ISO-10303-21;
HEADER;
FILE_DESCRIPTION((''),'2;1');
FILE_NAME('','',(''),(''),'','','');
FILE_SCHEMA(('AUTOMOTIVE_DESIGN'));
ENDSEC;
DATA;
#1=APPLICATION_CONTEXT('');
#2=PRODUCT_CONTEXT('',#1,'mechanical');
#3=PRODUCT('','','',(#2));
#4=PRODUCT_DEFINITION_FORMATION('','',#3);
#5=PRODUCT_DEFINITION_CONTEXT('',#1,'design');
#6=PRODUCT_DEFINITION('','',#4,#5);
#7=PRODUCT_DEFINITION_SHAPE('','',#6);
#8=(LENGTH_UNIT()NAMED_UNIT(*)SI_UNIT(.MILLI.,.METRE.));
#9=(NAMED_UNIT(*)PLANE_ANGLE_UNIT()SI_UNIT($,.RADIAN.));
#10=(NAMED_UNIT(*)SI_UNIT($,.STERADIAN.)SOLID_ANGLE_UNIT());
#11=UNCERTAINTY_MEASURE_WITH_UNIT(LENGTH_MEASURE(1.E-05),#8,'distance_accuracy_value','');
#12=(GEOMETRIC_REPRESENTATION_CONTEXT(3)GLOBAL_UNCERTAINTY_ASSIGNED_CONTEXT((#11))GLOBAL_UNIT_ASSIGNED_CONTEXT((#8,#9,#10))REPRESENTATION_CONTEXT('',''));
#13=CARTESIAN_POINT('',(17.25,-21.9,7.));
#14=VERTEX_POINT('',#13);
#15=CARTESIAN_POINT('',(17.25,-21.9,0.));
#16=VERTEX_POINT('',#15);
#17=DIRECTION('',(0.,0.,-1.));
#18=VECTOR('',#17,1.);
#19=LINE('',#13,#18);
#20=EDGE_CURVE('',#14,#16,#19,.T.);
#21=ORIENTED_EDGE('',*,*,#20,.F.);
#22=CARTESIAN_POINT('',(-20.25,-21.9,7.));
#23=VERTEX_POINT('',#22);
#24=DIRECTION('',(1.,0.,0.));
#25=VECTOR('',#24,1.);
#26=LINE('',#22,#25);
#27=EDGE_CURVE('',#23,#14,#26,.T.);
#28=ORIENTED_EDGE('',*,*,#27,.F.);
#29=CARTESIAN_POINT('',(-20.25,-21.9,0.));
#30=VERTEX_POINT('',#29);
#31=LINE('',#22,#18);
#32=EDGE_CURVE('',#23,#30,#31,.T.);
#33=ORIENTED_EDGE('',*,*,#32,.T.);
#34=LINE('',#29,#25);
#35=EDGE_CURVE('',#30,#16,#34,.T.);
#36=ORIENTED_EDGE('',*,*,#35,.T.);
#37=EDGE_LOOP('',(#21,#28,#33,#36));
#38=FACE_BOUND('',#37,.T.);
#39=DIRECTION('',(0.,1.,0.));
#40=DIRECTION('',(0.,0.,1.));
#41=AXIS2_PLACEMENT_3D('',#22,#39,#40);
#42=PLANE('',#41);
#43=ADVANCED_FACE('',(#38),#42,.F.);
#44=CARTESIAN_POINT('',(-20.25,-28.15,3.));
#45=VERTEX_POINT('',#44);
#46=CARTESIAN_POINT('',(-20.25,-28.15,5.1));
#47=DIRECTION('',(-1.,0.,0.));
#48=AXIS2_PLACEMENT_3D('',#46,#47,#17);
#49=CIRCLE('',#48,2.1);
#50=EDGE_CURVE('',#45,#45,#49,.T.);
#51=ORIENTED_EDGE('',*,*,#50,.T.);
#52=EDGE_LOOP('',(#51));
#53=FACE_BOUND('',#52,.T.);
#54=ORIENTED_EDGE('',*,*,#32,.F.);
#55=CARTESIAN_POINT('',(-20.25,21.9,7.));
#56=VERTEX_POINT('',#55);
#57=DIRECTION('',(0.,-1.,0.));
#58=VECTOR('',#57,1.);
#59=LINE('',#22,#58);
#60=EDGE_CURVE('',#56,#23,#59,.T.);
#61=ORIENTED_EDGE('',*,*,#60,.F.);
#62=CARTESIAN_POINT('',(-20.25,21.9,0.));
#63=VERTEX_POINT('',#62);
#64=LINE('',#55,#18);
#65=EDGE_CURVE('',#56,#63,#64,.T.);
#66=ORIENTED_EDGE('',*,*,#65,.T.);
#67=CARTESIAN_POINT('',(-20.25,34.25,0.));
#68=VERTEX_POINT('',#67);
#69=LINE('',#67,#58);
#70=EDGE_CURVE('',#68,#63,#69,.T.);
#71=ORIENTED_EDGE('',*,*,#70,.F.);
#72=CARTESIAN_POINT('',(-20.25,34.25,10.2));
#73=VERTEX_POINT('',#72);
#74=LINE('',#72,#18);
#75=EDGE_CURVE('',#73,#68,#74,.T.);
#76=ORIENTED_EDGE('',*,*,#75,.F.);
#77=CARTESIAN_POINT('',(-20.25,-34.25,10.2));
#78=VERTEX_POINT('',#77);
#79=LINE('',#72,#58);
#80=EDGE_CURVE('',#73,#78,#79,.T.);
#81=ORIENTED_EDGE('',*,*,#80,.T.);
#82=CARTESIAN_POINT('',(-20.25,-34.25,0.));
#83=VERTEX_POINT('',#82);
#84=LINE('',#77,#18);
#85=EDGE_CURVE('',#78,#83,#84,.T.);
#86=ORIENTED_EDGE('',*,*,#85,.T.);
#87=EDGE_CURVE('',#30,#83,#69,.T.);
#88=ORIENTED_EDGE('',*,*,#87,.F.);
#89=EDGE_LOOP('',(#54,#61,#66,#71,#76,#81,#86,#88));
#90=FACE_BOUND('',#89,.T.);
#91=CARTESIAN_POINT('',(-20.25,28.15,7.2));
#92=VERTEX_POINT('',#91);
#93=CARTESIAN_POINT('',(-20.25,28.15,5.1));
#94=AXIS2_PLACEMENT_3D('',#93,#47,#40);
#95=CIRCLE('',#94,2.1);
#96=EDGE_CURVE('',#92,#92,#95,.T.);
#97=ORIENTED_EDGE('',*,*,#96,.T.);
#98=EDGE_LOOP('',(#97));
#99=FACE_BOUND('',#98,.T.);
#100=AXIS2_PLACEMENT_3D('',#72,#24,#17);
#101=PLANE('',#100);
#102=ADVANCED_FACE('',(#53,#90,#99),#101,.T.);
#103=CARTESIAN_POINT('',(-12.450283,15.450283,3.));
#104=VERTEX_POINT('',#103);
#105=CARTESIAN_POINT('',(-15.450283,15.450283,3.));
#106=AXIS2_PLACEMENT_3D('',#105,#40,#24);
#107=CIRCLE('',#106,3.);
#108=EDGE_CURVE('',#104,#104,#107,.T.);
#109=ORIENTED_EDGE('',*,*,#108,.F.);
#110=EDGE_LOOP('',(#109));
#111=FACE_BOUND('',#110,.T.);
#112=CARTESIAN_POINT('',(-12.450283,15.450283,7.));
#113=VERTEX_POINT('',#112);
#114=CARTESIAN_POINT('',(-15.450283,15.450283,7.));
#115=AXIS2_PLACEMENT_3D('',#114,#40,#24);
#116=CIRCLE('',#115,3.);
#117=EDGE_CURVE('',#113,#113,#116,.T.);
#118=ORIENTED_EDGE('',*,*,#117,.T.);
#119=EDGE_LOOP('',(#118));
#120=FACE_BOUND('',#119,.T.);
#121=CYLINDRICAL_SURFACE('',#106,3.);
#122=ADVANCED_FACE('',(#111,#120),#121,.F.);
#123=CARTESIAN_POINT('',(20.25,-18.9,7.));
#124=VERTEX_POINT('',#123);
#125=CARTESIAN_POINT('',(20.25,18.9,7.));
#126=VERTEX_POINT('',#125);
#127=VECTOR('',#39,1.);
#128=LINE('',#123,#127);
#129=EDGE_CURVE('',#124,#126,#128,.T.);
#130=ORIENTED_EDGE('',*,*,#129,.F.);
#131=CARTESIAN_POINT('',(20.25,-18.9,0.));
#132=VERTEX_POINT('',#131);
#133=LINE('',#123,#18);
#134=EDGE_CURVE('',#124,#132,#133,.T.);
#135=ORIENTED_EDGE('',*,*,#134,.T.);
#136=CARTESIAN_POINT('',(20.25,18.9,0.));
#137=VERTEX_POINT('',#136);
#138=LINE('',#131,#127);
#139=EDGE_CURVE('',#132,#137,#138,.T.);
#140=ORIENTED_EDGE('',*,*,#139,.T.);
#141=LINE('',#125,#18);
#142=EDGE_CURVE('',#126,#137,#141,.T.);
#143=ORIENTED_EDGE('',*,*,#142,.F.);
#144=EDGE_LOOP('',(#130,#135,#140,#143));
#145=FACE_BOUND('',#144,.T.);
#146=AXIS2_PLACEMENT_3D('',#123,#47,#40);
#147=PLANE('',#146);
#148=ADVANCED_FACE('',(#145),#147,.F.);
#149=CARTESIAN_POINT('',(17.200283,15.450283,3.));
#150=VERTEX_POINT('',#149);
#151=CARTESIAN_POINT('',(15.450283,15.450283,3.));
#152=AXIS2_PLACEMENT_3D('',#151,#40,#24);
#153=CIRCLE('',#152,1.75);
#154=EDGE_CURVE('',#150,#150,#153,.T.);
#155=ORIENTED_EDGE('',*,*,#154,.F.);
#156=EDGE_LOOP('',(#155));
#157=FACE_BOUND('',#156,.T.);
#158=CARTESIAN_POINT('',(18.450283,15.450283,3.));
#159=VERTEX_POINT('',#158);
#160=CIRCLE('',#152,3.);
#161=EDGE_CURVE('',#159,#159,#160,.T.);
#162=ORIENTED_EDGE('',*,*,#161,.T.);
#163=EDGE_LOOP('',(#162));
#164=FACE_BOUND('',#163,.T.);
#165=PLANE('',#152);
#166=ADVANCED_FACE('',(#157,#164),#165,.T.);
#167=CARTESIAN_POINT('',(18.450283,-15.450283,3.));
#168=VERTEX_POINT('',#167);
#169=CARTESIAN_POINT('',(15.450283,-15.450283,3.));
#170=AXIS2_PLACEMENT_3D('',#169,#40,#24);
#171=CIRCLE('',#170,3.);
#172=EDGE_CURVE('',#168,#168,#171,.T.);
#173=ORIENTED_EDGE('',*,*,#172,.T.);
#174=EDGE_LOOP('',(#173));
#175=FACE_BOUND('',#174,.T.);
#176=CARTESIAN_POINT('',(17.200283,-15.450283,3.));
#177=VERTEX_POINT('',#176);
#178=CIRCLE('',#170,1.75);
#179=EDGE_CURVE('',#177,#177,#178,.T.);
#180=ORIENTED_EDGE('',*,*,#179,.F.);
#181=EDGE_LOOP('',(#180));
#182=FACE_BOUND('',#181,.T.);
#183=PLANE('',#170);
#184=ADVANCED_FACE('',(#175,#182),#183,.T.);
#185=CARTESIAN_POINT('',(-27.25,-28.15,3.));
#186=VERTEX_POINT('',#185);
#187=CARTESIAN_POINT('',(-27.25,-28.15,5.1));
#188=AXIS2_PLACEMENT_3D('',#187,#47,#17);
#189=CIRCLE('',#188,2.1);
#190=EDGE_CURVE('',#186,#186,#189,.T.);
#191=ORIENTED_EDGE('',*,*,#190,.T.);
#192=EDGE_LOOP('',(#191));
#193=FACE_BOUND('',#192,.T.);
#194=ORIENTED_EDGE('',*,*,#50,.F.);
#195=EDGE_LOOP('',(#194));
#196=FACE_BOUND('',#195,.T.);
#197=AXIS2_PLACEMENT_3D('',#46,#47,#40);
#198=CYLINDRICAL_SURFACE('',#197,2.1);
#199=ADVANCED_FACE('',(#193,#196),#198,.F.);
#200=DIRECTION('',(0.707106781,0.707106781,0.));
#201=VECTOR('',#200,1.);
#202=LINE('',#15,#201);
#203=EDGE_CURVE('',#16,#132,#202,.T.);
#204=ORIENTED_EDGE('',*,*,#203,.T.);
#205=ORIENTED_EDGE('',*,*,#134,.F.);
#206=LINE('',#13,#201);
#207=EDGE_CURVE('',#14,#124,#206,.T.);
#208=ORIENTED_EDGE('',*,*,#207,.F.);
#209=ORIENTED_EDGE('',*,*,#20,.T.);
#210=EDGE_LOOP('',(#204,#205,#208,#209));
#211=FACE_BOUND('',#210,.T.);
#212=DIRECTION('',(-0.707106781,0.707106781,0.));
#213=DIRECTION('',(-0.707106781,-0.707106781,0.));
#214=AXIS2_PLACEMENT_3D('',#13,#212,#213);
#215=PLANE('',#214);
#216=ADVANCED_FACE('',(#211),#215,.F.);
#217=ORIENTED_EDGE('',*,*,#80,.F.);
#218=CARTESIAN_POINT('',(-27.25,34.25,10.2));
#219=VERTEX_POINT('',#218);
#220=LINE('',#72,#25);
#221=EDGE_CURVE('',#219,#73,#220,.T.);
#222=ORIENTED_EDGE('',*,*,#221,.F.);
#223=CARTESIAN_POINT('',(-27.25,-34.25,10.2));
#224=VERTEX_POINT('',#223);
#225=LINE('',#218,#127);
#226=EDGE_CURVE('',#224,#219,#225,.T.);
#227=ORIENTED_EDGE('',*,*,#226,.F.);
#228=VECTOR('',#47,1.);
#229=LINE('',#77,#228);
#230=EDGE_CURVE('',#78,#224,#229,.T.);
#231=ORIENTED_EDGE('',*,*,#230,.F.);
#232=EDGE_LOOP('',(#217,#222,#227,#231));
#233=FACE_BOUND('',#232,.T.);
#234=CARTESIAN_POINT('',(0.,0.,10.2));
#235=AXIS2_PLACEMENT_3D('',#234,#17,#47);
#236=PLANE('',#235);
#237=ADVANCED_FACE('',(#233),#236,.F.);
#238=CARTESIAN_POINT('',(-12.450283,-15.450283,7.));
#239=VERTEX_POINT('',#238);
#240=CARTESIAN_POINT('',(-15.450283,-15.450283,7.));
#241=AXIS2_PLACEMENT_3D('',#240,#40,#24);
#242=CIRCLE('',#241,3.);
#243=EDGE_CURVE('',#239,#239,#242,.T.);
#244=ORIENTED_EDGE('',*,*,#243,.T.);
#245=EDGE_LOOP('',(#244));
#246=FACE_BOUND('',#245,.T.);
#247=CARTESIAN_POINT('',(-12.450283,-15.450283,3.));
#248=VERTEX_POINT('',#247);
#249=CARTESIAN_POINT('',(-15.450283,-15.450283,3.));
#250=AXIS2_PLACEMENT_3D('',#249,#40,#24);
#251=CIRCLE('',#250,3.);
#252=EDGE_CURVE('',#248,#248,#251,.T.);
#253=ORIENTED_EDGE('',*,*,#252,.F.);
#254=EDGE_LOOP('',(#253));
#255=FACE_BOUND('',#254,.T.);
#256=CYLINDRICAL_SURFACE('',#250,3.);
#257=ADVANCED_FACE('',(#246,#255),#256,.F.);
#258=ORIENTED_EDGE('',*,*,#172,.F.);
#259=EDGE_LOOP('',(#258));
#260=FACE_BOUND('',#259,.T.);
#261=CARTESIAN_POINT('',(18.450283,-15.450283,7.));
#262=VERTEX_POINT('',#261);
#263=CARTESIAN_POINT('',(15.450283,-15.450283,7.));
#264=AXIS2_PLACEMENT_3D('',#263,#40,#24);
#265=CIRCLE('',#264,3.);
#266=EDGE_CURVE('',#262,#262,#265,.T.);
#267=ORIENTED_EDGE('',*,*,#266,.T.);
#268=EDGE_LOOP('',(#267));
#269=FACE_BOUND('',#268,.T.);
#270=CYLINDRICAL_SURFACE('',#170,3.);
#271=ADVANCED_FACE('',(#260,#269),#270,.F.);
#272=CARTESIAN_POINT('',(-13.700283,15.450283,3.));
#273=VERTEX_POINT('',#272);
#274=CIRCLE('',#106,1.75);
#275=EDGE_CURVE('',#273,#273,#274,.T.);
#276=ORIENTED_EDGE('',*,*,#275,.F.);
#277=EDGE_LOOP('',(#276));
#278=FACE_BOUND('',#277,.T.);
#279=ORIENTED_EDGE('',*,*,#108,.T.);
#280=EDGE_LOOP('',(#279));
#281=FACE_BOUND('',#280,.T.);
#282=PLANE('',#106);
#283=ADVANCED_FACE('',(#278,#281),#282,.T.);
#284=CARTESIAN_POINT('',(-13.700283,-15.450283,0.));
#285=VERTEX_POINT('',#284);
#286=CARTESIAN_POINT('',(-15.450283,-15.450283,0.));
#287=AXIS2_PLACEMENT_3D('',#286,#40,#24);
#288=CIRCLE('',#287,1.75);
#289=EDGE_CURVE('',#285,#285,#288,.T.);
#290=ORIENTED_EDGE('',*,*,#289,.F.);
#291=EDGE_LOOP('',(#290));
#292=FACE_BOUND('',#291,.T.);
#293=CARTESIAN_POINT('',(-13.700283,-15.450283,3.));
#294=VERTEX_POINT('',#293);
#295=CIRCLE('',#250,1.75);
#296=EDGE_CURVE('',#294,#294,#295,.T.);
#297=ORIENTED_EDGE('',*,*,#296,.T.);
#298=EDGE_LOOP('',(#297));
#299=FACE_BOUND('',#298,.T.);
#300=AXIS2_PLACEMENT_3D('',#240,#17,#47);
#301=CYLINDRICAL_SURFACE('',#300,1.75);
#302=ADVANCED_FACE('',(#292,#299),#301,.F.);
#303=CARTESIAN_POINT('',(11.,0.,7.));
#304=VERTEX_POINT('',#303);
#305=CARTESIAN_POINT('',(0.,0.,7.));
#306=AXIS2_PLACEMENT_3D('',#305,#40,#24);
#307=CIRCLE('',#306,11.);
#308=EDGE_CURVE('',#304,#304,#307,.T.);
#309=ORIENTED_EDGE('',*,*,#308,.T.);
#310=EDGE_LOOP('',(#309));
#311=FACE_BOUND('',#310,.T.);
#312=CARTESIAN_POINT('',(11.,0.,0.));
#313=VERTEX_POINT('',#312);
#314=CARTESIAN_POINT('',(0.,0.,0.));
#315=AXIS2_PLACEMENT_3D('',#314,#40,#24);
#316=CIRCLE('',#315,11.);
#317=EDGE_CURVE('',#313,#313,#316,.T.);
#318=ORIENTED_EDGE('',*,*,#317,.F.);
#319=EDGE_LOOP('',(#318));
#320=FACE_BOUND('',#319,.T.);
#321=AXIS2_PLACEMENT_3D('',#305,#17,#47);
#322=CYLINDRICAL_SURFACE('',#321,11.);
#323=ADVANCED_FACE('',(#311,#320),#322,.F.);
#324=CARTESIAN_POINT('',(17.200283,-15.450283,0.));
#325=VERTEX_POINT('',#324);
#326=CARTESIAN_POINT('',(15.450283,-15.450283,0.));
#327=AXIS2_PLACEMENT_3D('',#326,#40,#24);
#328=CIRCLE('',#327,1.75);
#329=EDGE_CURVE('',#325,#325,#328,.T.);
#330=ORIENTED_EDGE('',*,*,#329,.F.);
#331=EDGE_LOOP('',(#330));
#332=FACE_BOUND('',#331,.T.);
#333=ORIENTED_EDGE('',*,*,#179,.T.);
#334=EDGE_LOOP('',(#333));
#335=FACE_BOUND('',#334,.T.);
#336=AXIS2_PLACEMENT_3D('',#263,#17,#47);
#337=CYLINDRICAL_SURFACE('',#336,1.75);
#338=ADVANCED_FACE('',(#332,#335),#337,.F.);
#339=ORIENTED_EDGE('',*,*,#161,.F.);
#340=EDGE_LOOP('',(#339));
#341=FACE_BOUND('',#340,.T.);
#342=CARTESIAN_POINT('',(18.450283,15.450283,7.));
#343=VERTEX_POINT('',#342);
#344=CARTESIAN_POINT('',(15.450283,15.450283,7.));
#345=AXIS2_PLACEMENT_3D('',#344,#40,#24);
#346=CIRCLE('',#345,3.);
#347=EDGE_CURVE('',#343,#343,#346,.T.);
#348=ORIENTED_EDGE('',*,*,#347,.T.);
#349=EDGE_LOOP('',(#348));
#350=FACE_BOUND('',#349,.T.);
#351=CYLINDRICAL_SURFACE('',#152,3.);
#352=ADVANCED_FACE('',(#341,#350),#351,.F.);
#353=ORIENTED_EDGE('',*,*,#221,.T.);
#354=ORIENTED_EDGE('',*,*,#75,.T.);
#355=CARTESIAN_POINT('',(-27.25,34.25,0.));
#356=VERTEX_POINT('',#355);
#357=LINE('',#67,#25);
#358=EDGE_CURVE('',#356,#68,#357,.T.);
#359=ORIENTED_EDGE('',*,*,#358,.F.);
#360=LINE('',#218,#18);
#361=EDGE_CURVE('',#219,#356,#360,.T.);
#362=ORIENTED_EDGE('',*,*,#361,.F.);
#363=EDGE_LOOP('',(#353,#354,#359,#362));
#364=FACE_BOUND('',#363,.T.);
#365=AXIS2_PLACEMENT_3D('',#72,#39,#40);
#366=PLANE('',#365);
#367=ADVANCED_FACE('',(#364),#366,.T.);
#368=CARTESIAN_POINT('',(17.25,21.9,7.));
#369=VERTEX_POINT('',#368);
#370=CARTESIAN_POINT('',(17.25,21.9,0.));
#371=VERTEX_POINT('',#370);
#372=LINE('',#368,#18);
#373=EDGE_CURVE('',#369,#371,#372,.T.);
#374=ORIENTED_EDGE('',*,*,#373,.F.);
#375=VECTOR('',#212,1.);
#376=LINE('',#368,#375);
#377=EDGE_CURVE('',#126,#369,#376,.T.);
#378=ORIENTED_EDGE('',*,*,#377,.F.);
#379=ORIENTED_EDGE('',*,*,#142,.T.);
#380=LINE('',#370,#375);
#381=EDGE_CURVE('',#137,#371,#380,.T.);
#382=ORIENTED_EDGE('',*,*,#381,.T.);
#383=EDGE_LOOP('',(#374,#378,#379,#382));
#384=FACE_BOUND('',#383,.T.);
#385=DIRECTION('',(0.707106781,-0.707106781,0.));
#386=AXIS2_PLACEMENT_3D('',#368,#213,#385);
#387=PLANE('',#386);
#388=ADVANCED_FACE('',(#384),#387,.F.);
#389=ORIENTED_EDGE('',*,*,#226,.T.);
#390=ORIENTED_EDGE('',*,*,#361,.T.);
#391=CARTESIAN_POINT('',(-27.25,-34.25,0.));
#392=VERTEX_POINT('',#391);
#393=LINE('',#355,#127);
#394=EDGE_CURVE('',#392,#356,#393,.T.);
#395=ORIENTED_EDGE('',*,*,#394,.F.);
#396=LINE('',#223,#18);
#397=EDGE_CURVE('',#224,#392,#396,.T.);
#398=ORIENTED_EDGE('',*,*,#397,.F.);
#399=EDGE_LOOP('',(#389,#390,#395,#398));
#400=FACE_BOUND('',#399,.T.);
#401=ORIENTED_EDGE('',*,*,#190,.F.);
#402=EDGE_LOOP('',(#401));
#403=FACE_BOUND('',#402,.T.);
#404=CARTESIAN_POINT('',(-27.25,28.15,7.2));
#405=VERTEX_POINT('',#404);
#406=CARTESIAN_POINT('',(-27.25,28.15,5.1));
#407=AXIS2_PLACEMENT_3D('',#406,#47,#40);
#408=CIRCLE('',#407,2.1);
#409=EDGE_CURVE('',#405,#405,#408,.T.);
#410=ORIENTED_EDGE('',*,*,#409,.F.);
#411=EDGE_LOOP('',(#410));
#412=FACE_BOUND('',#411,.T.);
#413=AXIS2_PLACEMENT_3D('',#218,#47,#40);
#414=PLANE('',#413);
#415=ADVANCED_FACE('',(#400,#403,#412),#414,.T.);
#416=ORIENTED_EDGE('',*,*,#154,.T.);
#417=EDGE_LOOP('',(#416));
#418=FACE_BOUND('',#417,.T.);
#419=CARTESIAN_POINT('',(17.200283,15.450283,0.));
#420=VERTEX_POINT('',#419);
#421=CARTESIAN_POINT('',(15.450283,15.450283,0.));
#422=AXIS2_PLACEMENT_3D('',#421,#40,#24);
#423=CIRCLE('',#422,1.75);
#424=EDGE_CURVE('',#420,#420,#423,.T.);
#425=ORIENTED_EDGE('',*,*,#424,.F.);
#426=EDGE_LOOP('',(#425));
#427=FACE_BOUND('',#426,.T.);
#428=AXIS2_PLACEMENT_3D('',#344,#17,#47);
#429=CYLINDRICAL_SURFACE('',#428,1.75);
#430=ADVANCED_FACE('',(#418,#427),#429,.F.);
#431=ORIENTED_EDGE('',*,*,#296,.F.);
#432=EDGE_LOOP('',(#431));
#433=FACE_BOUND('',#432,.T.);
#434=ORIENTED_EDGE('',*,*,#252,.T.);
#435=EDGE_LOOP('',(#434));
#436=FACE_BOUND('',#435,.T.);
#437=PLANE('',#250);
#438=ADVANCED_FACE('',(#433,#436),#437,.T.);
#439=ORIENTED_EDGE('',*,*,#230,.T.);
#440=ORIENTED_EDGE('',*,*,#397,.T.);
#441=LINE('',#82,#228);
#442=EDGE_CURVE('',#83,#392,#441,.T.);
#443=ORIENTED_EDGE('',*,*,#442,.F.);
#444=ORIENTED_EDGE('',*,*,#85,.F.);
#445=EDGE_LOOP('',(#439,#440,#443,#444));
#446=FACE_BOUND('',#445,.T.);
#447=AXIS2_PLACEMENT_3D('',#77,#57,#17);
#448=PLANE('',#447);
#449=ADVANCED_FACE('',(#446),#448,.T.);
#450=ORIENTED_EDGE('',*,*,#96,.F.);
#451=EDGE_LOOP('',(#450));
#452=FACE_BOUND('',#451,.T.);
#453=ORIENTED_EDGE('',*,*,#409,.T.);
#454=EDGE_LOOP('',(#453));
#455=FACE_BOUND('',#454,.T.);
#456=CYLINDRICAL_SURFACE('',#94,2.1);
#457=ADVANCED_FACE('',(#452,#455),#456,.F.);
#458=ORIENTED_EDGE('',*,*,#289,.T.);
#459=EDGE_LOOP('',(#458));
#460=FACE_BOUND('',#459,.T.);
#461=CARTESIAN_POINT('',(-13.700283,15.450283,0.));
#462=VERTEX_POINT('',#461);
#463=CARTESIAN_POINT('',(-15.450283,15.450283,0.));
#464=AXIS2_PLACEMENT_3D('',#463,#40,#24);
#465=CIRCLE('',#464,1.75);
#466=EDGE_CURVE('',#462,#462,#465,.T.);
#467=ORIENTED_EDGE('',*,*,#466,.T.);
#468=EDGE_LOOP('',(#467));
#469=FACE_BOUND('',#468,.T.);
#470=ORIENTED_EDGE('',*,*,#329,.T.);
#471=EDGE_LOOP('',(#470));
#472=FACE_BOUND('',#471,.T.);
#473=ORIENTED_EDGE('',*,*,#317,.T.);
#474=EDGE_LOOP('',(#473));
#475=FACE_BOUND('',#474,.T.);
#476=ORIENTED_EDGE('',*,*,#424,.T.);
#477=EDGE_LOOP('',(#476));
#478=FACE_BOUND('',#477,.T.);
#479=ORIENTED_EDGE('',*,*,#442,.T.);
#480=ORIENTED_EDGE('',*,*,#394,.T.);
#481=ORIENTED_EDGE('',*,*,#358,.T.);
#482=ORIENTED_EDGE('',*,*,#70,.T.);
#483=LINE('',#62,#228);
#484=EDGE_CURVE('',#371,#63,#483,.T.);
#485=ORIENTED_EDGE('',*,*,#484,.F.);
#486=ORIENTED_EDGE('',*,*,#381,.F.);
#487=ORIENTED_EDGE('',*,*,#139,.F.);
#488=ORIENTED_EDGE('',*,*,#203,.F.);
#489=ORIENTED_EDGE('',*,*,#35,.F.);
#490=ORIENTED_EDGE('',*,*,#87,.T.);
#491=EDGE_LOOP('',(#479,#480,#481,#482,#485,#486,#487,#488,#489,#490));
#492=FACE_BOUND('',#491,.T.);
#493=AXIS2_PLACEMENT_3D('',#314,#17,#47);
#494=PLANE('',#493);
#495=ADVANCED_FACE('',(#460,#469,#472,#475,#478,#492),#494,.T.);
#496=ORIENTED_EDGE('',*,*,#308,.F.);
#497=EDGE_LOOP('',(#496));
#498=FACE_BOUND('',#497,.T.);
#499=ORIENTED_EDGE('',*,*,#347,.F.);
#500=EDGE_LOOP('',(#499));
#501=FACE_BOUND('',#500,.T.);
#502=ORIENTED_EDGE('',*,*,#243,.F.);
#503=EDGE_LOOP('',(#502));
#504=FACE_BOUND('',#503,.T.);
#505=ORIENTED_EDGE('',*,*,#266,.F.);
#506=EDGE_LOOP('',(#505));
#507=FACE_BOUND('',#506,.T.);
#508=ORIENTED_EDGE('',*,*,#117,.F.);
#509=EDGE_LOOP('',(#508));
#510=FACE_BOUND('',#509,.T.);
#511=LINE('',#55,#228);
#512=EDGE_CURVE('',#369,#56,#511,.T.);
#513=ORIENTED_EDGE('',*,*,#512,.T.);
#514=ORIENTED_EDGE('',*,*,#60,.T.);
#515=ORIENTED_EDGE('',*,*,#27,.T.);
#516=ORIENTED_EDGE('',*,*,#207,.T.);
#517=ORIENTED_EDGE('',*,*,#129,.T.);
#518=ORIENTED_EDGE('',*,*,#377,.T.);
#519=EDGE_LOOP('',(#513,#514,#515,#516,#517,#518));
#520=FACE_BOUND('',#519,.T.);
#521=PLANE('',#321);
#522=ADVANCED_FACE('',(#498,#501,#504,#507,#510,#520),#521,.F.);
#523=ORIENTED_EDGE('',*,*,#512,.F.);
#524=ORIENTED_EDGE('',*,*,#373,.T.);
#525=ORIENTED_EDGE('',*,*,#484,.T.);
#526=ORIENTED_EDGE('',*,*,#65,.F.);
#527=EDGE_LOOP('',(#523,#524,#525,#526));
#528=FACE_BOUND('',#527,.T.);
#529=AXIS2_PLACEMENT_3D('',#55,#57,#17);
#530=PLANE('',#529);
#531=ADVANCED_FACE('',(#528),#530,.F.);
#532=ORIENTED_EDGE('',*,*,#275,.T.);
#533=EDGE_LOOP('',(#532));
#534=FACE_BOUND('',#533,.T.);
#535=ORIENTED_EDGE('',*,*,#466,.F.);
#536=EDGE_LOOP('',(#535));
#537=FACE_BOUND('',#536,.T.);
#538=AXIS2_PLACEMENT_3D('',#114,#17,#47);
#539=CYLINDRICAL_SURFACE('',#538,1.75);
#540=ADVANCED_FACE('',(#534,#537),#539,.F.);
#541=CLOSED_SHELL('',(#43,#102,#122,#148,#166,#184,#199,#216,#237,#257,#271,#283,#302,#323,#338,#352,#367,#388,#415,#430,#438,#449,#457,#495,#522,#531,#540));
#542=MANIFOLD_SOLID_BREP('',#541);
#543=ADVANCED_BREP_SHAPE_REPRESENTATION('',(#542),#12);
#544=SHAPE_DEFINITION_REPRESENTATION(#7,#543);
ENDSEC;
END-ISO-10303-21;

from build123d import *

# Parameters (mm, degrees)
CROQUIS1_R              = 11
CROQUIS1_R_2            = 1.75
SALIENTE_EXTRUIR1_DEPTH = 7
CROQUIS2_R              = 3
CORTAR_EXTRUIR1_DEPTH   = 4
CROQUIS3_W              = 7
CROQUIS3_H              = 68.5
SALIENTE_EXTRUIR2_DEPTH = 10.2
CROQUIS4_R              = 2.1
CORTAR_EXTRUIR2_DEPTH   = 7


with BuildPart() as part:
    # Croquis1 → Saliente-Extruir1 (new body)
    with BuildSketch(Plane.XY):
        Polygon((17.25, -21.9), (20.25, -18.9), (20.25, 18.9), (17.25, 21.9), (-20.25, 21.9), (-20.25, -21.9), align=None)
        Circle(CROQUIS1_R, mode=Mode.SUBTRACT)
        with Locations((15.450283169, 15.450283169)):
            Circle(CROQUIS1_R_2, mode=Mode.SUBTRACT)
        with Locations((15.450283169, -15.450283169)):
            Circle(CROQUIS1_R_2, mode=Mode.SUBTRACT)
        with Locations((-15.450283169, -15.450283169)):
            Circle(CROQUIS1_R_2, mode=Mode.SUBTRACT)
        with Locations((-15.450283169, 15.450283169)):
            Circle(CROQUIS1_R_2, mode=Mode.SUBTRACT)
    extrude(amount=SALIENTE_EXTRUIR1_DEPTH)

    # Croquis2 → Cortar-Extruir1 (cut)
    with BuildSketch(Plane.XY.offset(7)):
        with Locations((15.450283169, 15.450283169)):
            Circle(CROQUIS2_R)
        with Locations((15.450283169, -15.450283169)):
            Circle(CROQUIS2_R)
        with Locations((-15.450283169, -15.450283169)):
            Circle(CROQUIS2_R)
        with Locations((-15.450283169, 15.450283169)):
            Circle(CROQUIS2_R)
    extrude(amount=-CORTAR_EXTRUIR1_DEPTH, mode=Mode.SUBTRACT)

    # Croquis3 → Saliente-Extruir2 (add)
    with BuildSketch(Plane(origin=(0, 0, 0), x_dir=(-1, 0, 0), z_dir=(0, 0, -1))):
        with Locations((23.75, 0)):
            Rectangle(CROQUIS3_W, CROQUIS3_H)
    extrude(amount=-SALIENTE_EXTRUIR2_DEPTH)

    # Croquis4 → Cortar-Extruir2 (cut)
    with BuildSketch(Plane.ZY.offset(27.25)):
        with Locations((5.1, 28.15)):
            Circle(CROQUIS4_R)
        with Locations((5.1, -28.15)):
            Circle(CROQUIS4_R)
    extrude(amount=-CORTAR_EXTRUIR2_DEPTH, mode=Mode.SUBTRACT)


solid = part.part
